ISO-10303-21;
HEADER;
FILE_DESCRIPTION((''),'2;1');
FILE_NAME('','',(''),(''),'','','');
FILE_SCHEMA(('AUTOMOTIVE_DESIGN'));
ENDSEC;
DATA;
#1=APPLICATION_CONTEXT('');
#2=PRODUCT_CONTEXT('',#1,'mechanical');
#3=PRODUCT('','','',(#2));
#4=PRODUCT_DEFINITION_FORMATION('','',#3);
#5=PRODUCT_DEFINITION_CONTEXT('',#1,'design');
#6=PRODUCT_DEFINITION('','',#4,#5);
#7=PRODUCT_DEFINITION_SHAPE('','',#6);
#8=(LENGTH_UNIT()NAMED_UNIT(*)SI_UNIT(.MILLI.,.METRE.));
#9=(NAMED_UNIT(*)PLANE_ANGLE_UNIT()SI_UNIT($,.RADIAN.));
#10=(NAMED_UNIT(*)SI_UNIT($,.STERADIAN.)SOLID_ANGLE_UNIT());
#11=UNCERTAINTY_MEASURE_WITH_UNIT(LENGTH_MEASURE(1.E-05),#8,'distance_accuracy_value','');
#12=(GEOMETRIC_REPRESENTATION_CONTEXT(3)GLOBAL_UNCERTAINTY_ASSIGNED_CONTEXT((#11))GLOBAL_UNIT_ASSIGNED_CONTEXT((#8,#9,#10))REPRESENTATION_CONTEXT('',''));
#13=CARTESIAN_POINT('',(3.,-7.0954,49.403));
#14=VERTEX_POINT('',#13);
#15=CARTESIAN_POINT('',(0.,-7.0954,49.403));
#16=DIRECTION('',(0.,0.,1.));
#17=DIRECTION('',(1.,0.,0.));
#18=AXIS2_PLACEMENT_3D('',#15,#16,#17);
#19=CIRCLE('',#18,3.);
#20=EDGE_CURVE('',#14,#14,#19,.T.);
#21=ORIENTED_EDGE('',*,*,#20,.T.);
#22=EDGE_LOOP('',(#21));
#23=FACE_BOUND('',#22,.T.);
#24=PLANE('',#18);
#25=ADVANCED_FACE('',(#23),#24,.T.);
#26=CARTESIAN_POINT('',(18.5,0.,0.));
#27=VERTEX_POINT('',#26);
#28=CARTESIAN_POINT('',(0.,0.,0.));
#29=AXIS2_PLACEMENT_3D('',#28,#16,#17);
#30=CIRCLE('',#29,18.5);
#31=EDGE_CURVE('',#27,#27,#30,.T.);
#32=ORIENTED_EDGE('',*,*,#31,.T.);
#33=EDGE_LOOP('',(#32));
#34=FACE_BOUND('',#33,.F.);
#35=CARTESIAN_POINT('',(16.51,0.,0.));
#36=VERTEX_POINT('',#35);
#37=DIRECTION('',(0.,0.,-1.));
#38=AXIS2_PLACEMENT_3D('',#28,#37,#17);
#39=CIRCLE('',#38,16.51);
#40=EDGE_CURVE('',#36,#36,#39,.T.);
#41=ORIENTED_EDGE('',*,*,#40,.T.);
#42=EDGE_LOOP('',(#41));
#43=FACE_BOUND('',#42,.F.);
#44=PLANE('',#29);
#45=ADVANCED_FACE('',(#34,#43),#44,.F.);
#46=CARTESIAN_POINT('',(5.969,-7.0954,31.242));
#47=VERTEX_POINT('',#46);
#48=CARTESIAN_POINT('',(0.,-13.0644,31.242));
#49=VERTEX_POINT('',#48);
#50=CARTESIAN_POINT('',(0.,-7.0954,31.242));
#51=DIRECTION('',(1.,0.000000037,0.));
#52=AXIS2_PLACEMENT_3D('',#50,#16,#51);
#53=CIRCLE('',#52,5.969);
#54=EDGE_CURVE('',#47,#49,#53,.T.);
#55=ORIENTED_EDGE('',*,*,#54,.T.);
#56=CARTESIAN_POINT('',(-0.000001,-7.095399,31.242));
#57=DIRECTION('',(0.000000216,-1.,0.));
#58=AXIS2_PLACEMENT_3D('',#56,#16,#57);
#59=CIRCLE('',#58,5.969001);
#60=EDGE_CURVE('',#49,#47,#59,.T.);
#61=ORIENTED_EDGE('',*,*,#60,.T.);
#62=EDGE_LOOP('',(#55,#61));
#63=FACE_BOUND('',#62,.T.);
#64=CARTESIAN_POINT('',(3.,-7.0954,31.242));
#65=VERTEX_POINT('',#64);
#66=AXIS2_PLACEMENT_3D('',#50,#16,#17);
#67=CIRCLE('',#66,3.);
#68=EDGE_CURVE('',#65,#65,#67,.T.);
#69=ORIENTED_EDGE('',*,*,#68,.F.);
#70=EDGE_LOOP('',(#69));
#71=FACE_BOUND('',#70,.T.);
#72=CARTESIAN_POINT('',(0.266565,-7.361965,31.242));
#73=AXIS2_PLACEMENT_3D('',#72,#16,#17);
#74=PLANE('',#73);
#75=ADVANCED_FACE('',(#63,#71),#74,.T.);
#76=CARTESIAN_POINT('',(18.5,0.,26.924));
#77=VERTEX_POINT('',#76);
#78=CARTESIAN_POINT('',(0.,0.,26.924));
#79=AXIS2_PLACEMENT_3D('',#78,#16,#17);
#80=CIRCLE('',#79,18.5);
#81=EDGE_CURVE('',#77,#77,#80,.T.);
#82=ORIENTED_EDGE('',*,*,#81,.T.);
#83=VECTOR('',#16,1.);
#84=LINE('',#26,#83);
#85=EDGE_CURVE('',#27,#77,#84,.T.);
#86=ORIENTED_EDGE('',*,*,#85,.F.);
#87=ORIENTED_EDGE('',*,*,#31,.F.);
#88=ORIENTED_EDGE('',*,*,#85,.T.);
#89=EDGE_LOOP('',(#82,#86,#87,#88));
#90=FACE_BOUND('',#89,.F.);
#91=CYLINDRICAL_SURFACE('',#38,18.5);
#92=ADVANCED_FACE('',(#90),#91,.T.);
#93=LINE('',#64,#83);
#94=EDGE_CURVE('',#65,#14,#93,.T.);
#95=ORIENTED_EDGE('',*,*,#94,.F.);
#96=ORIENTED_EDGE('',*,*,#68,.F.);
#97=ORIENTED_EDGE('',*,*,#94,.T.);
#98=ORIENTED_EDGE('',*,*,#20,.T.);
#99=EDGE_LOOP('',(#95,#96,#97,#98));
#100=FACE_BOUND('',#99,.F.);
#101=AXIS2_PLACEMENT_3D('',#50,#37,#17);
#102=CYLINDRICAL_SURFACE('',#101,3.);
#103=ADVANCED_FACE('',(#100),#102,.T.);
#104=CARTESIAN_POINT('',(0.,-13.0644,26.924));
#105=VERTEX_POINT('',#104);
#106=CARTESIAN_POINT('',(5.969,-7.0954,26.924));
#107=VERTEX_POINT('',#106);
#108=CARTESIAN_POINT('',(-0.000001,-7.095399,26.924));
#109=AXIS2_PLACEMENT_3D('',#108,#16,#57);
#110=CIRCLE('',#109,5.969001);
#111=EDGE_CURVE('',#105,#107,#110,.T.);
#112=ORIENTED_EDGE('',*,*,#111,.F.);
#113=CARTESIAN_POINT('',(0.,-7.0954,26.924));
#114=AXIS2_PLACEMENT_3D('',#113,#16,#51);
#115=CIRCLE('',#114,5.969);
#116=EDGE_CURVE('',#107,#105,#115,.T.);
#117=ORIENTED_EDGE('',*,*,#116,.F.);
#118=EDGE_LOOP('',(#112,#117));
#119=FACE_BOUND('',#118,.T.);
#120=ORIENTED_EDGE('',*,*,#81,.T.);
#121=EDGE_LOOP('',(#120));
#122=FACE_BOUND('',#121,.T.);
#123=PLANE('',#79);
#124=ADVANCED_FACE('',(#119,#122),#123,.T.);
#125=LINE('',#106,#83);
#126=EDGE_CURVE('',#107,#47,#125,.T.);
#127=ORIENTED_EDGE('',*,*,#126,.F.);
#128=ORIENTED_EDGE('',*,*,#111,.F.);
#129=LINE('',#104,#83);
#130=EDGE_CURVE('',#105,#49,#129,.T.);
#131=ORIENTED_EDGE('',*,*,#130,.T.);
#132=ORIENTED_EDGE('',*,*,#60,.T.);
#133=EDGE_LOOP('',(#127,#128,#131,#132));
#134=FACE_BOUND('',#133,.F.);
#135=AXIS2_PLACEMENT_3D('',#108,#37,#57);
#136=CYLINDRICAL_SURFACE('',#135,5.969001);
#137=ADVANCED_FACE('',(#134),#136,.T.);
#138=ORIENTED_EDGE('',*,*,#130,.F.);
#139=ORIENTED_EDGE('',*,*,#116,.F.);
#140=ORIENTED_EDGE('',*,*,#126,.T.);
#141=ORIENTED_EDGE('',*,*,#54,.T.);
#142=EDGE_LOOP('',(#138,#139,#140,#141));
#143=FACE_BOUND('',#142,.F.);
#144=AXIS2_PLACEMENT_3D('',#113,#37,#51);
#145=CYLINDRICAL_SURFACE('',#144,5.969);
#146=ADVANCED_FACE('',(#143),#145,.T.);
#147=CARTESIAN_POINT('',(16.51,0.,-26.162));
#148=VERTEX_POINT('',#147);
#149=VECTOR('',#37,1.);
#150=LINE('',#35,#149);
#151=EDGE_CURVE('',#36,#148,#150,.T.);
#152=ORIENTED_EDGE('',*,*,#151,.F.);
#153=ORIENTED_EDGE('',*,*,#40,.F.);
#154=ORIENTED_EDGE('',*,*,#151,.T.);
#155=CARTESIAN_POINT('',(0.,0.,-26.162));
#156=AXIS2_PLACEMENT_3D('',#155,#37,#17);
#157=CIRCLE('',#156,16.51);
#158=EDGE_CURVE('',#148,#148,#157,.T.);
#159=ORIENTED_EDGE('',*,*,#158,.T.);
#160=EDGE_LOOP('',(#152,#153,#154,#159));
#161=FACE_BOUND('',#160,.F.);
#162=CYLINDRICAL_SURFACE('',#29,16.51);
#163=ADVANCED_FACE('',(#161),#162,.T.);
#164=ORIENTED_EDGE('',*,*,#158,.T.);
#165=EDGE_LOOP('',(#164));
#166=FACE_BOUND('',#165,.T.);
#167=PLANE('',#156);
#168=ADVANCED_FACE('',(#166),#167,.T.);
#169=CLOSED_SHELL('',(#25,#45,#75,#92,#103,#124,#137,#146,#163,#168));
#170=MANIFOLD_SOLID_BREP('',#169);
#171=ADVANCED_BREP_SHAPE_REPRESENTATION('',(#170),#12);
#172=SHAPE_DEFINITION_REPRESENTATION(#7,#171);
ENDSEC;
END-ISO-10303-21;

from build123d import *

# Parameters (mm, degrees)
F0_R     = 18.5
F1_DEPTH = 26.924
F2_R     = 16.51
F3_DEPTH = 26.162
F5_DEPTH = 4.318
F6_R     = 3
F7_DEPTH = 18.161


with BuildPart() as f1:
    # F0 (on Top) → F1 (new body)
    with BuildSketch(Plane.XY):
        Circle(F0_R)
    extrude(amount=F1_DEPTH)

    # F2 (on face) → F3 (join)
    with BuildSketch(Plane(origin=(0, 0, 0), x_dir=(1, 0, 0), z_dir=(0, 0, -1))):
        Circle(F2_R)
    extrude(amount=F3_DEPTH)

    # F4 (on face) → F5 (join)
    with BuildSketch(Plane.XY.offset(26.924)):
        with BuildLine():
            ThreePointArc((5.969, -7.0954), (-4.22072, -2.87468), (0, -13.0644))
            ThreePointArc((0, -13.0644), (4.22072, -11.31612), (5.969, -7.0954))
        make_face()
    extrude(amount=F5_DEPTH)

    # F6 (on face) → F7 (join)
    with BuildSketch(Plane.XY.offset(31.242)):
        with Locations((0, -7.0954)):
            Circle(F6_R)
    extrude(amount=F7_DEPTH)


solid = f1.part
